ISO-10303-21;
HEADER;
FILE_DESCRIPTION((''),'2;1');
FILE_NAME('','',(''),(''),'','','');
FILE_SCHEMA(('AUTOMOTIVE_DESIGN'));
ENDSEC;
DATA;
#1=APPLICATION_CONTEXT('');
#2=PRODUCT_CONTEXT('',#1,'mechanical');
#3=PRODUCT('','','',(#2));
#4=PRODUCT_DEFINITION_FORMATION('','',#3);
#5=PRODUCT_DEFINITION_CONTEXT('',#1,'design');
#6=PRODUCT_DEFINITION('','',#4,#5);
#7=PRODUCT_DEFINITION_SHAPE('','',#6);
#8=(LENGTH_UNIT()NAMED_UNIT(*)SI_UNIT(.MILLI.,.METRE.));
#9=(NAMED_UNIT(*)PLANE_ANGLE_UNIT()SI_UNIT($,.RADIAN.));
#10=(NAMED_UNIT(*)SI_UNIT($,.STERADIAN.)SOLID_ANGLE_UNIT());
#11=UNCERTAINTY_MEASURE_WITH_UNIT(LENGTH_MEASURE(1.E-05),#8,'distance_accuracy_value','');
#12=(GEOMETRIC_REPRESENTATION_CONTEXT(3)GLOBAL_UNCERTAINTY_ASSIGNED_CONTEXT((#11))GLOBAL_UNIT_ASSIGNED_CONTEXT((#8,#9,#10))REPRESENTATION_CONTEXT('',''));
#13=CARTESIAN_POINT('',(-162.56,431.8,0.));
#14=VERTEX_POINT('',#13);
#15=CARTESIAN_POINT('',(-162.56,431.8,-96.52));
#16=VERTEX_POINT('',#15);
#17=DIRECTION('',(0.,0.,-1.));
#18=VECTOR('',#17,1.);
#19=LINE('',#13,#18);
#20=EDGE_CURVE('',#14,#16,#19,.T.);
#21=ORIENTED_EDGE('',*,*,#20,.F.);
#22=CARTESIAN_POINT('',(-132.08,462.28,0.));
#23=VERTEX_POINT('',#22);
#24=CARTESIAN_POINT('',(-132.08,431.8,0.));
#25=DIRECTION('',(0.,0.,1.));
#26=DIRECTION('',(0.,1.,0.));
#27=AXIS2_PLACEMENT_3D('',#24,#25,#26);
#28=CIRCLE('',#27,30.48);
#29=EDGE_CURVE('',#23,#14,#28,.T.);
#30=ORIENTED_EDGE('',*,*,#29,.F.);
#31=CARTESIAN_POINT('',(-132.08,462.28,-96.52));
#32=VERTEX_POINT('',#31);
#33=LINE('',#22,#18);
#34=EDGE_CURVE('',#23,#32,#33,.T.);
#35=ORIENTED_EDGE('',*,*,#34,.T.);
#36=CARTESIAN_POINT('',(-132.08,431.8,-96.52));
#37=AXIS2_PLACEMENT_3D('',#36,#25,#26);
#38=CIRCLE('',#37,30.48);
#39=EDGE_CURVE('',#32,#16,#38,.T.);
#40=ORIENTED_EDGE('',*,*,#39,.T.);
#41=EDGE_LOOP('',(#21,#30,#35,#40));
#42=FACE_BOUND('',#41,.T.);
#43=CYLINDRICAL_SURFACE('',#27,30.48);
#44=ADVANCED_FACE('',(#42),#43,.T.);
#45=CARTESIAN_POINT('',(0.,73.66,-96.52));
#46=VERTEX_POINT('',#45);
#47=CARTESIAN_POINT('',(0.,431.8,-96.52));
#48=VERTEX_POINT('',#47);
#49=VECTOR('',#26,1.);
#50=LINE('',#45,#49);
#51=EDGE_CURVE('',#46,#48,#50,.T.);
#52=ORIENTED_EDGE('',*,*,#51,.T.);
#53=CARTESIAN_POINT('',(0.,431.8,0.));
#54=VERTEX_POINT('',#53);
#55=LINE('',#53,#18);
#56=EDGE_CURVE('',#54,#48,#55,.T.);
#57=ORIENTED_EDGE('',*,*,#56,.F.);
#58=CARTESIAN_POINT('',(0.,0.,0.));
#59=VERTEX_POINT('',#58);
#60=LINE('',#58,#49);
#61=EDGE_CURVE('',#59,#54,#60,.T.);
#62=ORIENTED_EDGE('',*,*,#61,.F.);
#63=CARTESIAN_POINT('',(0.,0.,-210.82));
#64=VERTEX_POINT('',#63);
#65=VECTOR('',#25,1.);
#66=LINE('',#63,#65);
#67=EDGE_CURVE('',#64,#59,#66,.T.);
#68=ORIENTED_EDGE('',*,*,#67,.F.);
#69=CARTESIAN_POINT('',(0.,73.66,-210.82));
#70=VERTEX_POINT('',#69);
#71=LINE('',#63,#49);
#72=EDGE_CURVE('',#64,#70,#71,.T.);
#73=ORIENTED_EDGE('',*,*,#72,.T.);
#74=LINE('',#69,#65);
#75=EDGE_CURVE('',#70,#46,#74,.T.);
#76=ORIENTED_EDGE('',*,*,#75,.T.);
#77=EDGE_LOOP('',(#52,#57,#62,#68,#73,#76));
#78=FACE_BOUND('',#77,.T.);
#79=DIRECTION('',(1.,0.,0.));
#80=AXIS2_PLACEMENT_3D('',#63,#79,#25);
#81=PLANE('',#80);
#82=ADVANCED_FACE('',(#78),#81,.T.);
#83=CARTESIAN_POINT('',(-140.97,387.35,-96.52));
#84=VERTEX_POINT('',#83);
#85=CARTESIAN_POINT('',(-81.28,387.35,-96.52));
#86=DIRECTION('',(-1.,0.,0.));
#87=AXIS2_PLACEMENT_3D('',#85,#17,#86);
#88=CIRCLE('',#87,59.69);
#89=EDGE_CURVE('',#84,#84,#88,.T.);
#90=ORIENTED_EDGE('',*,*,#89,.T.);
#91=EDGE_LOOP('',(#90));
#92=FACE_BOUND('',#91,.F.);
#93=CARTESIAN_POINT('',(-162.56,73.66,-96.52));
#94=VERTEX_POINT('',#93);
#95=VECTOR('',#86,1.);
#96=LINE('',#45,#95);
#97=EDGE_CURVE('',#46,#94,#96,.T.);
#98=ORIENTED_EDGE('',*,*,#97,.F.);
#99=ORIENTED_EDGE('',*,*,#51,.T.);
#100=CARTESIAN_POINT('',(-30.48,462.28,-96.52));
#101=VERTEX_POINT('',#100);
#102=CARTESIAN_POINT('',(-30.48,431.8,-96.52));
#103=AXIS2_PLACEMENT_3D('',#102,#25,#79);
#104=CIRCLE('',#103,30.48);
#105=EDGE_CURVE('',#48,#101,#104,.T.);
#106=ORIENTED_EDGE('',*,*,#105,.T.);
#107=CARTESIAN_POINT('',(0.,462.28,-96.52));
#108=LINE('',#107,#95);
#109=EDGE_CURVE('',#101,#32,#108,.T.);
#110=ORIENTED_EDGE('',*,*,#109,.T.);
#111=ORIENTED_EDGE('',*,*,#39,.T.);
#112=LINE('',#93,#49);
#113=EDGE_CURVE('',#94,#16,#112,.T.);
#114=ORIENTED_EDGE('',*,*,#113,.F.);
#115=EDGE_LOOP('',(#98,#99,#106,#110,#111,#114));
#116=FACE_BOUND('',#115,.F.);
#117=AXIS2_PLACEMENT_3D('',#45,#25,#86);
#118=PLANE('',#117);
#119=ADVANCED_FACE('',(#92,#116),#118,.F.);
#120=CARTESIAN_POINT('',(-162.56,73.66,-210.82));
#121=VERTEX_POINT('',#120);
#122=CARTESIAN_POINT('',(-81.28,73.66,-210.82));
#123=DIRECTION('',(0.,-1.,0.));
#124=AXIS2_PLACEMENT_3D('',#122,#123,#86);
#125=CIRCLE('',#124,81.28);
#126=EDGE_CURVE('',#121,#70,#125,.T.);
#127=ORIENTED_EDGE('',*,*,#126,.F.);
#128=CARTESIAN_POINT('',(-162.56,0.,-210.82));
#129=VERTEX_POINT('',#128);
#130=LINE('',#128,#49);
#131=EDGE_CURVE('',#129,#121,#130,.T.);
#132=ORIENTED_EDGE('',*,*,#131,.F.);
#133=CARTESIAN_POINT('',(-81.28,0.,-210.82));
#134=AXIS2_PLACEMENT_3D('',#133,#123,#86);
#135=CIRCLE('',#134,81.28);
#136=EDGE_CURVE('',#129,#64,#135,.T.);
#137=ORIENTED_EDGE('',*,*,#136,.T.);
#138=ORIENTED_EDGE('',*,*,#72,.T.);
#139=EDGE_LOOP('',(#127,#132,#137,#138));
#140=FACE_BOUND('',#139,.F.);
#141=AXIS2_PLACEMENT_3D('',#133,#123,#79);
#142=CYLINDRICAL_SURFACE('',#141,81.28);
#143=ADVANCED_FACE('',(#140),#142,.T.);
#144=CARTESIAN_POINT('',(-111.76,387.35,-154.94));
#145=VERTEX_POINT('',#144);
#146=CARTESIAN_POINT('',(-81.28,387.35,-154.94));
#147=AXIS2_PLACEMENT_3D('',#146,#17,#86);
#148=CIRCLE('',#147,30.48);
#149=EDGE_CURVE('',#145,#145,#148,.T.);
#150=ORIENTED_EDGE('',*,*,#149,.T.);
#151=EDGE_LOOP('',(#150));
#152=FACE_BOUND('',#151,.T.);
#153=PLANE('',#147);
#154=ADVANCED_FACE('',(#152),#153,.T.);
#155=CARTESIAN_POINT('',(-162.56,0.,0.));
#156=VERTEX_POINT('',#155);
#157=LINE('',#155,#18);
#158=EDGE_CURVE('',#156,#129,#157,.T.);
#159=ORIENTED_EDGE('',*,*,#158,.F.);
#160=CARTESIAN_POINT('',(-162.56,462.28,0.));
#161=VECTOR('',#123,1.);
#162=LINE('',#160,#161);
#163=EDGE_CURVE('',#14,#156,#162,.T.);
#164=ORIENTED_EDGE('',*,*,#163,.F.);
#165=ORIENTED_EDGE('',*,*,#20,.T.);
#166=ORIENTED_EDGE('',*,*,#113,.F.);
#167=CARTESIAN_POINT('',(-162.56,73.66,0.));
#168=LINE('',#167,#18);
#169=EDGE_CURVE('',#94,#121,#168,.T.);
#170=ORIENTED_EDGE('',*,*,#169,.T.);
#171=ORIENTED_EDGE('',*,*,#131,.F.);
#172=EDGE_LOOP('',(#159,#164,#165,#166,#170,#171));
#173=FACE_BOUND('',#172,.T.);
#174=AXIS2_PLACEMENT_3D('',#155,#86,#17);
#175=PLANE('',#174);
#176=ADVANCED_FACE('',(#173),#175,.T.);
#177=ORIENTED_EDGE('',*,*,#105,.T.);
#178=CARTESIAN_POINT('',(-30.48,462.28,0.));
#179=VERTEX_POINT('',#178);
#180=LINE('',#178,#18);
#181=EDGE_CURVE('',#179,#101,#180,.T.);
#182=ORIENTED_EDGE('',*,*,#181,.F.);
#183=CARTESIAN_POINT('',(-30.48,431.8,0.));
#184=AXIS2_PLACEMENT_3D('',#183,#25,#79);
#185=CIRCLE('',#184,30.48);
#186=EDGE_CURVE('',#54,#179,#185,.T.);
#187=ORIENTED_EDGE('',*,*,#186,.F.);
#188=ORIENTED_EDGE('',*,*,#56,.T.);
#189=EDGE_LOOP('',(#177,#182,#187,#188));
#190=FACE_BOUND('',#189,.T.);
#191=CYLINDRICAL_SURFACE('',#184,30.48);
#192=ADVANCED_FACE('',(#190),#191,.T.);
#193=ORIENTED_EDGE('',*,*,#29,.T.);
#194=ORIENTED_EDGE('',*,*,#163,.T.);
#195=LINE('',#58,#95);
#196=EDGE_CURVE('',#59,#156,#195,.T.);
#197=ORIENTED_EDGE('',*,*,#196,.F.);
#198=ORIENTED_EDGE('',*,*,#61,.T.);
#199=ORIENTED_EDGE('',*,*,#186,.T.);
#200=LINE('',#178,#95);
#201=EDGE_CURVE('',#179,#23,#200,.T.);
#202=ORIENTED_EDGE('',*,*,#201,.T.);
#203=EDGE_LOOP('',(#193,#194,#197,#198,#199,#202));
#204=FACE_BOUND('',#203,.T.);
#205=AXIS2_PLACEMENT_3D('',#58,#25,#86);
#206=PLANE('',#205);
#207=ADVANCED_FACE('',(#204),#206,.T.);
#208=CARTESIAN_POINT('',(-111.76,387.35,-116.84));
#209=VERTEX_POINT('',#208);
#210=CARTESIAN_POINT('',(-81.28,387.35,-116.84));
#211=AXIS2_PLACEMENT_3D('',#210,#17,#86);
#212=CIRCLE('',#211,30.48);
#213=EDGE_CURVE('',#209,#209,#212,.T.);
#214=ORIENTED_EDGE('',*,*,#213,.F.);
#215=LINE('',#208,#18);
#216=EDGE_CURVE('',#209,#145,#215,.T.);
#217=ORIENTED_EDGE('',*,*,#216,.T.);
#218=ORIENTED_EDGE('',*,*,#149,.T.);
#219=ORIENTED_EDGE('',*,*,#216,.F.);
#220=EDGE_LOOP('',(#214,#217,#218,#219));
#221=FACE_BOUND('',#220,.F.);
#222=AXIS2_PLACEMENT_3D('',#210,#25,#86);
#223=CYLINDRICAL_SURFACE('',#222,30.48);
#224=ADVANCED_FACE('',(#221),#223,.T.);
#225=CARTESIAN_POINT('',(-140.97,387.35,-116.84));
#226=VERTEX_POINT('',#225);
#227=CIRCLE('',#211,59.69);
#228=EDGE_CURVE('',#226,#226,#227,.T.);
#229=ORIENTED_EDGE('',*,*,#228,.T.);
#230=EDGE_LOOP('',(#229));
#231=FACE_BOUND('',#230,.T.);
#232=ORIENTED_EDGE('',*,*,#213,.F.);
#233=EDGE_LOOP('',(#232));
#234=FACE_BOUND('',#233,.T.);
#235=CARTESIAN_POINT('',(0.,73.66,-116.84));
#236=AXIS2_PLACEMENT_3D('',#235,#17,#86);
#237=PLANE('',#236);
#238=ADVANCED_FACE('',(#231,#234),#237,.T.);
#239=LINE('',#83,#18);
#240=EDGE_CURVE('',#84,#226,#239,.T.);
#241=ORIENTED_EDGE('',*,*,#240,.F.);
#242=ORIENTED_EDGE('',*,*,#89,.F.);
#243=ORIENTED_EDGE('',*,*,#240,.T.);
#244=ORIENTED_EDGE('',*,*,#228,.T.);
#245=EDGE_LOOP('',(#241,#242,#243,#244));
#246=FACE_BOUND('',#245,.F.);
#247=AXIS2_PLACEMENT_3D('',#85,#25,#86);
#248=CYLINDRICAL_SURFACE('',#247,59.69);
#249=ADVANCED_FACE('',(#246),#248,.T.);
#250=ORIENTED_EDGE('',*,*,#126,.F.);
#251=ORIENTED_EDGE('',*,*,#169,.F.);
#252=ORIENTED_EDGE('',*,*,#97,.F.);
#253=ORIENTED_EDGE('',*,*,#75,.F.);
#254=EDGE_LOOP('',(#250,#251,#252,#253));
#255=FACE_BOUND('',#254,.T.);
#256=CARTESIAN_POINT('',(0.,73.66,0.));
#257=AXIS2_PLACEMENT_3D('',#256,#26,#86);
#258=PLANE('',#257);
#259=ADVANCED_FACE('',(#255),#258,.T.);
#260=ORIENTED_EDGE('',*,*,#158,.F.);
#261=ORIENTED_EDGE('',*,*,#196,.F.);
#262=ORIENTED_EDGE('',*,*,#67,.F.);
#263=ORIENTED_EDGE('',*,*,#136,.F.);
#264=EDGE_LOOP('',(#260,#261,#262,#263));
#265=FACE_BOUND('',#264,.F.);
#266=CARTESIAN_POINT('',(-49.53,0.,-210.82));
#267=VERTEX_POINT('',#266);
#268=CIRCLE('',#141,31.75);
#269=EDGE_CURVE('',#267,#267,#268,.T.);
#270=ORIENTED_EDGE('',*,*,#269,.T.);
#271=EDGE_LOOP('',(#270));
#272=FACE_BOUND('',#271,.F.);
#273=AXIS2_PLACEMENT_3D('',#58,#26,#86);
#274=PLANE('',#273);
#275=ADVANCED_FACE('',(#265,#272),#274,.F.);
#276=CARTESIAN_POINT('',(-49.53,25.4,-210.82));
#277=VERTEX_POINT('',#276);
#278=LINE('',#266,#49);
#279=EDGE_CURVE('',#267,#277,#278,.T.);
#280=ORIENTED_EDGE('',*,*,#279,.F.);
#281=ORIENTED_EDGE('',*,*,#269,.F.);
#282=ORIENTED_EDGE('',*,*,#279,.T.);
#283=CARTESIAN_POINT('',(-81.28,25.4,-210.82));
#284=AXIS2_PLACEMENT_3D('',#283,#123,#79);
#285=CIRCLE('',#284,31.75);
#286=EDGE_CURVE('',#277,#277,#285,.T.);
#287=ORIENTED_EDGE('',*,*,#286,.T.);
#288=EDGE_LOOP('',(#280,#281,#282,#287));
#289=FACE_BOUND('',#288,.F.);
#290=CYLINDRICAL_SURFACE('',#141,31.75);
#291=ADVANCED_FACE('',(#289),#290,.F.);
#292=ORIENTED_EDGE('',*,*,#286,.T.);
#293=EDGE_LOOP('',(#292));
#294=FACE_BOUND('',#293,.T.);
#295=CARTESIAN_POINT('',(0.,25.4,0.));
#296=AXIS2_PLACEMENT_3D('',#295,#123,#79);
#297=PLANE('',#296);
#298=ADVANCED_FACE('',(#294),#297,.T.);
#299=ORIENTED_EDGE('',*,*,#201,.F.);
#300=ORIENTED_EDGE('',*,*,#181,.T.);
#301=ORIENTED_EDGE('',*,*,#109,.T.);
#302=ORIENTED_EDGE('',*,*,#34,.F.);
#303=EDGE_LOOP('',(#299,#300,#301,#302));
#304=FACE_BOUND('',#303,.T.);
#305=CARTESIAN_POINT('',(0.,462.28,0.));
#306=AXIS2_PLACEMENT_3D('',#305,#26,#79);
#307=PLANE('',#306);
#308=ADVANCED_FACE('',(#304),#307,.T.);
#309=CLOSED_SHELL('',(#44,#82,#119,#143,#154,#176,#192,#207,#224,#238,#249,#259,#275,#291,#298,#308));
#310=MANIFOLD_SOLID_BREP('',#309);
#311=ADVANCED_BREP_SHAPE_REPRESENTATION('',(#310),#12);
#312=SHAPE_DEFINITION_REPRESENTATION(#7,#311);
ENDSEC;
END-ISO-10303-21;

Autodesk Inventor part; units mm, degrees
ref_plane "YZ Plane" through (0, 0, 0) normal (1, 0, 0) x (0, 1, 0)
ref_plane "XZ Plane" through (0, 0, 0) normal (0, 1, 0) x (-1, 0, 0)
ref_plane "XY Plane" through (0, 0, 0) normal (0, 0, 1) x (1, 0, 0)
sketch "Sketch1" plane through (0, 0, 0) normal (0, 1, 0) x (-1, 0, 0)
  line L0 (0, 0) -> (162.56, 0)
  line L1 (162.56, 0) -> (162.56, -210.82)
  line L2 (81.28, -292.1) -> (81.28, -292.1)
  line L3 (0, -210.82) -> (0, 0)
  arc A0 (81.28, -292.1) -> (162.56, -210.82) centre (81.28, -210.82) ccw
  arc A1 (0, -210.82) -> (81.28, -292.1) centre (81.28, -210.82) ccw
  point P0 (162.56, -292.1)
  point P1 (0, -292.1)
  dimension "d0" = 292.1
  dimension "d1" = 162.56
  dimension "d2" = 81.28
extrude "Extrusion1" add sketch "Sketch1" along normal blind 73.66
sketch "Sketch2" plane through (0, 73.66, 0) normal (0, 1, 0) x (1, 0, 0)
  line L0 (-162.56, 0) -> (0, 0) projected
  line L1 (0, 0) -> (0, 210.82) projected
  line L2 (-162.56, 0) -> (0, 0)
  line L3 (0, 0) -> (0, 96.52)
  line L4 (0, 96.52) -> (-162.56, 96.52)
  line L5 (-162.56, 96.52) -> (-162.56, 0)
  dimension "d23" = 114.3
extrude "Extrusion2" add sketch "Sketch2" along normal blind 388.62
sketch "Sketch3" plane through (-162.56, 0, 0) normal (0, 0, 1) x (1, 0, 0)
  line L0 (162.56, 0) -> (0, 0) projected
  line L1 (162.56, 0) -> (162.56, 462.28) projected
  line L2 (0, 0) -> (162.56, 0)
  line L3 (162.56, 0) -> (162.56, 431.8)
  line L4 (132.08, 462.28) -> (30.48, 462.28)
  line L5 (0, 431.8) -> (0, 0)
  arc A0 (30.48, 462.28) -> (0, 431.8) centre (30.48, 431.8) ccw
  arc A1 (162.56, 431.8) -> (132.08, 462.28) centre (132.08, 431.8) ccw
  dimension "d8" = 30.48
extrude "Extrusion3" cut sketch "Sketch3" against normal blind 508 keep common part
sketch "Sketch4" plane through (0, 73.66, -96.52) normal (0, 0, -1) x (-1, 0, 0)
  line L0 (132.08, 388.62) -> (30.48, 388.62) projected
  circle A0 centre (81.28, 313.69) radius 59.69
  line L1 (0, -73.66) -> (162.56, -73.66) projected
  dimension "d12" = 119.38
  dimension "d22" = 387.35
extrude "Extrusion4" add sketch "Sketch4" along normal blind 20.32
sketch "Sketch5" plane through (-81.28, 387.35, -116.84) normal (0, 0, -1) x (-1, 0, 0)
  circle A0 centre (0, 0) radius 30.48
  point P0 (-81.28, -387.35)
  dimension "d15" = 60.96
extrude "Extrusion5" add sketch "Sketch5" along normal blind 38.1
sketch "Sketch6" plane through (0, 0, 0) normal (0, -1, 0) x (1, 0, 0)
  arc A0 (-162.56, -210.82) -> (0, -210.82) centre (-81.28, -210.82) ccw projected
  circle A1 centre (-81.28, -210.82) radius 31.75
  point P0 (0, 0)
  dimension "d18" = 63.5
extrude "Extrusion6" cut sketch "Sketch6" against normal blind 25.4
properties part number "Waist Link"
